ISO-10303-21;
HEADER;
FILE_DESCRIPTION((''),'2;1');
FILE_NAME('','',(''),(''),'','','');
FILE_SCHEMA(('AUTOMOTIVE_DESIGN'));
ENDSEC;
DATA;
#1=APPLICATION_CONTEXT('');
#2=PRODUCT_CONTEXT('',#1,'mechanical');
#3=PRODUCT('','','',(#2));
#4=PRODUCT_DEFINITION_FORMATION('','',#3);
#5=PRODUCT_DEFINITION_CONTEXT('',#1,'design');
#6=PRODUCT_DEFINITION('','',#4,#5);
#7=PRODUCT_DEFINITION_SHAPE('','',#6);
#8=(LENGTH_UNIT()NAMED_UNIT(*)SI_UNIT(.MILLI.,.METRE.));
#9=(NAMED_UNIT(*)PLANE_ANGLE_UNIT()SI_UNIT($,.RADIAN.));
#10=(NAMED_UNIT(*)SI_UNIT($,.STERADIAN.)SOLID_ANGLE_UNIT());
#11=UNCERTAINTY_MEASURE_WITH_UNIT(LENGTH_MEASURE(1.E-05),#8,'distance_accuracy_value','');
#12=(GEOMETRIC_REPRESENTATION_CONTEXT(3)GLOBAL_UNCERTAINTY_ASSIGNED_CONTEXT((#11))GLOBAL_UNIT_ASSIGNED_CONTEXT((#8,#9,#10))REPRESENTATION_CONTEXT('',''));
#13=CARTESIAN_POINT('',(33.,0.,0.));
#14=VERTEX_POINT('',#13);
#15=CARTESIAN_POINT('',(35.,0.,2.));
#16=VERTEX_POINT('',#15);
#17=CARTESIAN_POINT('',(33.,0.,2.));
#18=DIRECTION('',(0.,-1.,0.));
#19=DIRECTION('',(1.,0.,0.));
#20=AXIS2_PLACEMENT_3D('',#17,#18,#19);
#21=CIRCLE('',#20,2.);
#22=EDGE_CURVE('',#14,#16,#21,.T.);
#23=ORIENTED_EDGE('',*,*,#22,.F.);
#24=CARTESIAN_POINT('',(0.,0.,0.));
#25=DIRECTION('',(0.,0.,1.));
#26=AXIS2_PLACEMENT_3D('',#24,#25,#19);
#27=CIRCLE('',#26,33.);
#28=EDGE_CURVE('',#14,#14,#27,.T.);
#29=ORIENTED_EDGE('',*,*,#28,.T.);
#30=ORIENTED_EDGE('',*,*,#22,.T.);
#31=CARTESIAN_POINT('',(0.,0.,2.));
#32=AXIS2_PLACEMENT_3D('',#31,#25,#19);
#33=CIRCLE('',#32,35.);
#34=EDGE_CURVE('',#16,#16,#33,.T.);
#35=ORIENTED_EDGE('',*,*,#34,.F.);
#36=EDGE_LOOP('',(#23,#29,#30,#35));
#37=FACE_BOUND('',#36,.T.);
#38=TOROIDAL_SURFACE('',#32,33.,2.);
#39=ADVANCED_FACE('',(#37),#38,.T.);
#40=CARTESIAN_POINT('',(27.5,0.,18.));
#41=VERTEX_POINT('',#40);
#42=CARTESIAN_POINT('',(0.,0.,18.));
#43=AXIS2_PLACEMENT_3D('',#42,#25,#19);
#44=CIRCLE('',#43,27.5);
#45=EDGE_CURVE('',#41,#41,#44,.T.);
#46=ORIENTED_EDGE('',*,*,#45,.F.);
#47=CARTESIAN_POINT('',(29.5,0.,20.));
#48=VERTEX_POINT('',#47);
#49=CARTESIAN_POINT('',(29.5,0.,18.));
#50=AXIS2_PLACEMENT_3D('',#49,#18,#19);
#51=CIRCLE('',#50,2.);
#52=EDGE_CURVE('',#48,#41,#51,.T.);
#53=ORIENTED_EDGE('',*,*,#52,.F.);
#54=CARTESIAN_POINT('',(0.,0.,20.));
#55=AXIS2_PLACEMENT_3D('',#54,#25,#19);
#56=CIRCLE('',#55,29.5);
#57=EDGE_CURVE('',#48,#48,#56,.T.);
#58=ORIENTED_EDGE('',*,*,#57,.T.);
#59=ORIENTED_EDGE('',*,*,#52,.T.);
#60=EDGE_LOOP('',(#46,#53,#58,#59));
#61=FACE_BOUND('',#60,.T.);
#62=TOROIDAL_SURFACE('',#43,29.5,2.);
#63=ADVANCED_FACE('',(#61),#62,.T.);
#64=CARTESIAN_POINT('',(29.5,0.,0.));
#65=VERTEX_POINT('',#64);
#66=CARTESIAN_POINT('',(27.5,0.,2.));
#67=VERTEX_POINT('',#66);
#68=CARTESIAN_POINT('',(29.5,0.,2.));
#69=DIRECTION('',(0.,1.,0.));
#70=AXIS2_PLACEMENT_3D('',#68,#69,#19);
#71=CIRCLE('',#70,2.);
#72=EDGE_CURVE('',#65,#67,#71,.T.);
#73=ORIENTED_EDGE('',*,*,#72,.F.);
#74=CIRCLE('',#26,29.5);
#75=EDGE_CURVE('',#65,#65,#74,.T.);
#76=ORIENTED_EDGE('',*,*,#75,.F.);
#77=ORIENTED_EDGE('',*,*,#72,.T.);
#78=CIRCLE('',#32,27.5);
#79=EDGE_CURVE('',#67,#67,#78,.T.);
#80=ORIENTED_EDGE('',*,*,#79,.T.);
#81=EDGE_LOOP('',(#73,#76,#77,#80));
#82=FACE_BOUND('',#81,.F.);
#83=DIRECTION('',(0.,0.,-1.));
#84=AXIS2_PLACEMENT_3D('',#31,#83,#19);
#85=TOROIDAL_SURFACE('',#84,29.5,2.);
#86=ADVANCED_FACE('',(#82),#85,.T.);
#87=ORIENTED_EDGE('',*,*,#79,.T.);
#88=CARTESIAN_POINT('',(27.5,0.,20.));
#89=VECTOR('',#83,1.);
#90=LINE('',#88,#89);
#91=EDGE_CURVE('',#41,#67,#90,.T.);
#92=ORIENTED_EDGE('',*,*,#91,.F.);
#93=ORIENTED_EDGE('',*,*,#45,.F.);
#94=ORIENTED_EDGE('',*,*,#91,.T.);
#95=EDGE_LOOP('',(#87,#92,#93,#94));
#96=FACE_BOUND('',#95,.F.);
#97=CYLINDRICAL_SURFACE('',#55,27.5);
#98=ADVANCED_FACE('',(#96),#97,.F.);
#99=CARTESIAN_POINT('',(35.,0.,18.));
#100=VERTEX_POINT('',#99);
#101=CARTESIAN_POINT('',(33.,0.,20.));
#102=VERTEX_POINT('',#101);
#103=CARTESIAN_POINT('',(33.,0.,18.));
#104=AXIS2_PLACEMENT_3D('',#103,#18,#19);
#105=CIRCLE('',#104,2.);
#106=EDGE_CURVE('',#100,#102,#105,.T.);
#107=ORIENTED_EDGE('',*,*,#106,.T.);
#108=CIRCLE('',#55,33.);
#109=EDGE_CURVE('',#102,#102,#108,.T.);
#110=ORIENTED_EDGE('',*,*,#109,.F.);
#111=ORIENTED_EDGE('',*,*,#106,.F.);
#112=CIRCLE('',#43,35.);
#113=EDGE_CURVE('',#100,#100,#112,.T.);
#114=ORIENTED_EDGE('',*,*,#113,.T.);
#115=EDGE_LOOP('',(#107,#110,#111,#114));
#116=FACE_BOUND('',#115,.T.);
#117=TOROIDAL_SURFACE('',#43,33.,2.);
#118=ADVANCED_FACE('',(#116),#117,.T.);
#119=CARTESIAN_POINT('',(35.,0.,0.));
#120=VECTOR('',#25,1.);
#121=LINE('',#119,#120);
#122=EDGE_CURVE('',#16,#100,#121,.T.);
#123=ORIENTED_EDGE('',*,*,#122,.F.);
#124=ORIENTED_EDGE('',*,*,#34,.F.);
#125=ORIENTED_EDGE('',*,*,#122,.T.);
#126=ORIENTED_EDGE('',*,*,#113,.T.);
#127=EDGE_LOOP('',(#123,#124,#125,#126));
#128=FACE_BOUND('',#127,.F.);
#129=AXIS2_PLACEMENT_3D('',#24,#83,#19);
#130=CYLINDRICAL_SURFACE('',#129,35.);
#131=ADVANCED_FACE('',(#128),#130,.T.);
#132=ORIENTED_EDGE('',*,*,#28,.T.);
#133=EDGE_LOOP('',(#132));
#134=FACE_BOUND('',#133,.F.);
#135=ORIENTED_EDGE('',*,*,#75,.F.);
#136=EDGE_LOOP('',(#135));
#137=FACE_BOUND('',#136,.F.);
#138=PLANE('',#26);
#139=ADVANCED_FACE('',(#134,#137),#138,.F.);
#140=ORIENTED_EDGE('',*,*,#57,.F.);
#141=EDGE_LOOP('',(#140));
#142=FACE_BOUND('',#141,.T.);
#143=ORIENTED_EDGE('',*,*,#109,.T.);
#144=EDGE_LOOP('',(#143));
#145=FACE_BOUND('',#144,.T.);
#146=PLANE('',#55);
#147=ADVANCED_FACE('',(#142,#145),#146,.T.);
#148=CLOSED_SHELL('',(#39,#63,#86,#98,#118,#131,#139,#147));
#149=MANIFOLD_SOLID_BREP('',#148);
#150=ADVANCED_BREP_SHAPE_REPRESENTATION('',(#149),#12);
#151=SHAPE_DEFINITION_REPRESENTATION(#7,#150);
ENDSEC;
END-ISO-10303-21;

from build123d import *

# Parameters (mm, degrees)
F0_R     = 35
F1_DEPTH = 20
F2_R     = 27.5
F3_DEPTH = 25
F4_R     = 2
F5_R     = 2


with BuildPart() as f1:
    # F0 (on Top) → F1 (new body)
    with BuildSketch(Plane.XY):
        Circle(F0_R)
    extrude(amount=F1_DEPTH)

    # F2 (on face) → F3 (cut)
    with BuildSketch(Plane.XY.offset(20)):
        Circle(F2_R)
    extrude(amount=-F3_DEPTH, mode=Mode.SUBTRACT)

    # F4
    f4_edges = [f1.edges().sort_by_distance(p)[0] for p in [
        (-27.5, 0, 20),
        (-27.5, 0, 0),
    ]]
    fillet(f4_edges, radius=F4_R)

    # F5
    f5_edges = [f1.edges().sort_by_distance(p)[0] for p in [
        (-35, 0, 20),
        (-35, 0, 0),
    ]]
    fillet(f5_edges, radius=F5_R)


solid = f1.part
